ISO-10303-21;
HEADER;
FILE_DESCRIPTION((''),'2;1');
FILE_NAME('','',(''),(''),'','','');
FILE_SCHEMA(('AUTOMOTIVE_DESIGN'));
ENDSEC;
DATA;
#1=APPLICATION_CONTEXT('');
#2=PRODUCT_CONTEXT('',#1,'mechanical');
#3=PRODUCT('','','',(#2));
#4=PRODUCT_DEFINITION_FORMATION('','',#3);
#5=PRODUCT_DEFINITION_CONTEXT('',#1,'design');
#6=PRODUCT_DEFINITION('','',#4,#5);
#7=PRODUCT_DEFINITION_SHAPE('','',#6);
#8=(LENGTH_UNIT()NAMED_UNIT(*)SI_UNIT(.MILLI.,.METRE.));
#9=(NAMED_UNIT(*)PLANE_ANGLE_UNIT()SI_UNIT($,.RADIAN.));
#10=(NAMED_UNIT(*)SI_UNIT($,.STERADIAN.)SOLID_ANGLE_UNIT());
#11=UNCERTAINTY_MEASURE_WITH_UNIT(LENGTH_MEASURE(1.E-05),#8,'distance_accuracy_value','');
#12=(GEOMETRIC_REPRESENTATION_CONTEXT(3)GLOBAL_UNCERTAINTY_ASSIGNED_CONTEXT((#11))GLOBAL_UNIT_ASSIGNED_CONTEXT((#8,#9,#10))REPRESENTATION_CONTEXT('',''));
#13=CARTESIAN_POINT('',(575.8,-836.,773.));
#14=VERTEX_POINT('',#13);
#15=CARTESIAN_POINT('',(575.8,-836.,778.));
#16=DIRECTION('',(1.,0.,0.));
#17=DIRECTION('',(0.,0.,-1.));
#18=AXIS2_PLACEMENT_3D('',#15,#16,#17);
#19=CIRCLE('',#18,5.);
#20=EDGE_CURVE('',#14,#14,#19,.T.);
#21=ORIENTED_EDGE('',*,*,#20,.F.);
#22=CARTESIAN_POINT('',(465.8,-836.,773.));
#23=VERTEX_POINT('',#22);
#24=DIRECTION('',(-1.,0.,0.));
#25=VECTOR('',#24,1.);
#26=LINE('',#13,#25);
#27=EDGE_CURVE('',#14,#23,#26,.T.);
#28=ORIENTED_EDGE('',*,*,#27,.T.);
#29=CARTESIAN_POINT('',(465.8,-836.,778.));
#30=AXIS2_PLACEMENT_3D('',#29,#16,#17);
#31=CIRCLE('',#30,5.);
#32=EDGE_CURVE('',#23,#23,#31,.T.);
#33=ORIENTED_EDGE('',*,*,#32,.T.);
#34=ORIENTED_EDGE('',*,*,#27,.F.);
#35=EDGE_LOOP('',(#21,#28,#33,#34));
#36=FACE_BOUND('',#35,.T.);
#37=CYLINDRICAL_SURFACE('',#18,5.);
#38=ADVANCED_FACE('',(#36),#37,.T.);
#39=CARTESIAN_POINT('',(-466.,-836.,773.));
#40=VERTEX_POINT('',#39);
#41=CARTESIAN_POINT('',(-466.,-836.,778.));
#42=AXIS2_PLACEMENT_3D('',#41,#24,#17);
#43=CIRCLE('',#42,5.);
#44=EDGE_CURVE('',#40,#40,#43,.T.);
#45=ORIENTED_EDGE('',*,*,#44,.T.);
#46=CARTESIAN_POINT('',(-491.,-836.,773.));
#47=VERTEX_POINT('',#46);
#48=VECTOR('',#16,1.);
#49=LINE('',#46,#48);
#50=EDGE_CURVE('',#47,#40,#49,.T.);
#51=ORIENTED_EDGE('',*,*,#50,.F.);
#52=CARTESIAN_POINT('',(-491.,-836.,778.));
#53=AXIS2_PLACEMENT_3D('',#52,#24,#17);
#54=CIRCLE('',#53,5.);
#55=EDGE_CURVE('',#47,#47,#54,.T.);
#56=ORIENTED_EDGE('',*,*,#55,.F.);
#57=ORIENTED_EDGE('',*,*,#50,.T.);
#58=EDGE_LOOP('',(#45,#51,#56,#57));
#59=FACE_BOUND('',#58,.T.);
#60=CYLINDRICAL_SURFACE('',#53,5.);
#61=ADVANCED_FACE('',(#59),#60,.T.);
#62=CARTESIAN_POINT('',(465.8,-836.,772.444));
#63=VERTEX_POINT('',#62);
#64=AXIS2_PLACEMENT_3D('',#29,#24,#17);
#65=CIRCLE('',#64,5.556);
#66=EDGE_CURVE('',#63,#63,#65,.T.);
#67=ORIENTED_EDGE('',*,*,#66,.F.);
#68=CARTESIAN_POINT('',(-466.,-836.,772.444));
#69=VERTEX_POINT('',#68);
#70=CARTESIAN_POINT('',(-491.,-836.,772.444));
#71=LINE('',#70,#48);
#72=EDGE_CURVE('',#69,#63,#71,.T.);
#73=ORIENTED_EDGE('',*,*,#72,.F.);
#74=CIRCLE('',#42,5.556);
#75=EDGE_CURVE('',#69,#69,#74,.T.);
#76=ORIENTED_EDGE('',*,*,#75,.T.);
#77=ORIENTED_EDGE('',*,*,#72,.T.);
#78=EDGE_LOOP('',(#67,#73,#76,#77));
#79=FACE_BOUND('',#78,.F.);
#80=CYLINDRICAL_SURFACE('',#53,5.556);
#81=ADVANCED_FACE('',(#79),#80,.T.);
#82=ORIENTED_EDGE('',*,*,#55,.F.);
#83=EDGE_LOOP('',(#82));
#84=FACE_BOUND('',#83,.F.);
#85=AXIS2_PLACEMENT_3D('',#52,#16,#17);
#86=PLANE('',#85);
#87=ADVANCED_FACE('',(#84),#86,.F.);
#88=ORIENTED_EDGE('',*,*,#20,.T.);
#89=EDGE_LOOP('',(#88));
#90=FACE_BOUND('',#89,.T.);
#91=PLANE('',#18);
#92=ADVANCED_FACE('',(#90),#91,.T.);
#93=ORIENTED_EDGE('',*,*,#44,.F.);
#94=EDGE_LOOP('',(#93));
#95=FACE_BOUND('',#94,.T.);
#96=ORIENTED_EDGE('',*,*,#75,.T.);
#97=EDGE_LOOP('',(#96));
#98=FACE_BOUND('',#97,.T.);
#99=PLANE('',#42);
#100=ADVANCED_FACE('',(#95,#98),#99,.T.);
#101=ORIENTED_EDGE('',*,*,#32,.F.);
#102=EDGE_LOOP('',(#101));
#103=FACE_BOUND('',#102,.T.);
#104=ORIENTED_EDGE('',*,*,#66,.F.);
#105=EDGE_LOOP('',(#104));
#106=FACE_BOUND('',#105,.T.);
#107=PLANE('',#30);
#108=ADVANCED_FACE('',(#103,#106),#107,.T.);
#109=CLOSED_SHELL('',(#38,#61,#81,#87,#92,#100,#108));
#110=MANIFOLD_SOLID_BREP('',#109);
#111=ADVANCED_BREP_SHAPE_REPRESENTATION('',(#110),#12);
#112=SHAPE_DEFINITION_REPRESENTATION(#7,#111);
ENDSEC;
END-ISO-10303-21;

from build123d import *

# Parameters (mm, degrees)
CYLINDER_R           = 5.556
CYLINDER_DEPTH       = 1066.8
CYLINDER_PITCH_ANGLE = 90
SKETCH_R             = 7
SKETCH_R_2           = 5
POCKET_DEPTH         = 25
SKETCH001_R          = 7
SKETCH001_R_2        = 5
POCKET001_DEPTH      = 110


with BuildPart() as part:
    # Cylinder → Cylinder (new body)
    with BuildSketch(Plane.XY):
        Circle(CYLINDER_R)
    extrude(amount=CYLINDER_DEPTH)


with BuildPart() as part_1:
    # Cylinder pitch: moved
    add(part.part.rotate(Axis((0, 0, 0), (0, 1, 0)), CYLINDER_PITCH_ANGLE))


with BuildPart() as part_2:
    # Cylinder placement: moved
    add(part_1.part.moved(Location((-491, -836, 778))))

    # Sketch → Pocket (cut)
    with BuildSketch(Plane(origin=(-491, -836, 778), x_dir=(0, 0, -1), z_dir=(-1, 0, 0))):
        Circle(SKETCH_R)
        Circle(SKETCH_R_2, mode=Mode.SUBTRACT)
    extrude(amount=-POCKET_DEPTH, mode=Mode.SUBTRACT)

    # Sketch001 → Pocket001 (cut)
    with BuildSketch(Plane(origin=(575.8, -836, 778), x_dir=(0, 0, -1), z_dir=(1, 0, 0))):
        Circle(SKETCH001_R)
        Circle(SKETCH001_R_2, mode=Mode.SUBTRACT)
    extrude(amount=-POCKET001_DEPTH, mode=Mode.SUBTRACT)


solid = part_2.part
